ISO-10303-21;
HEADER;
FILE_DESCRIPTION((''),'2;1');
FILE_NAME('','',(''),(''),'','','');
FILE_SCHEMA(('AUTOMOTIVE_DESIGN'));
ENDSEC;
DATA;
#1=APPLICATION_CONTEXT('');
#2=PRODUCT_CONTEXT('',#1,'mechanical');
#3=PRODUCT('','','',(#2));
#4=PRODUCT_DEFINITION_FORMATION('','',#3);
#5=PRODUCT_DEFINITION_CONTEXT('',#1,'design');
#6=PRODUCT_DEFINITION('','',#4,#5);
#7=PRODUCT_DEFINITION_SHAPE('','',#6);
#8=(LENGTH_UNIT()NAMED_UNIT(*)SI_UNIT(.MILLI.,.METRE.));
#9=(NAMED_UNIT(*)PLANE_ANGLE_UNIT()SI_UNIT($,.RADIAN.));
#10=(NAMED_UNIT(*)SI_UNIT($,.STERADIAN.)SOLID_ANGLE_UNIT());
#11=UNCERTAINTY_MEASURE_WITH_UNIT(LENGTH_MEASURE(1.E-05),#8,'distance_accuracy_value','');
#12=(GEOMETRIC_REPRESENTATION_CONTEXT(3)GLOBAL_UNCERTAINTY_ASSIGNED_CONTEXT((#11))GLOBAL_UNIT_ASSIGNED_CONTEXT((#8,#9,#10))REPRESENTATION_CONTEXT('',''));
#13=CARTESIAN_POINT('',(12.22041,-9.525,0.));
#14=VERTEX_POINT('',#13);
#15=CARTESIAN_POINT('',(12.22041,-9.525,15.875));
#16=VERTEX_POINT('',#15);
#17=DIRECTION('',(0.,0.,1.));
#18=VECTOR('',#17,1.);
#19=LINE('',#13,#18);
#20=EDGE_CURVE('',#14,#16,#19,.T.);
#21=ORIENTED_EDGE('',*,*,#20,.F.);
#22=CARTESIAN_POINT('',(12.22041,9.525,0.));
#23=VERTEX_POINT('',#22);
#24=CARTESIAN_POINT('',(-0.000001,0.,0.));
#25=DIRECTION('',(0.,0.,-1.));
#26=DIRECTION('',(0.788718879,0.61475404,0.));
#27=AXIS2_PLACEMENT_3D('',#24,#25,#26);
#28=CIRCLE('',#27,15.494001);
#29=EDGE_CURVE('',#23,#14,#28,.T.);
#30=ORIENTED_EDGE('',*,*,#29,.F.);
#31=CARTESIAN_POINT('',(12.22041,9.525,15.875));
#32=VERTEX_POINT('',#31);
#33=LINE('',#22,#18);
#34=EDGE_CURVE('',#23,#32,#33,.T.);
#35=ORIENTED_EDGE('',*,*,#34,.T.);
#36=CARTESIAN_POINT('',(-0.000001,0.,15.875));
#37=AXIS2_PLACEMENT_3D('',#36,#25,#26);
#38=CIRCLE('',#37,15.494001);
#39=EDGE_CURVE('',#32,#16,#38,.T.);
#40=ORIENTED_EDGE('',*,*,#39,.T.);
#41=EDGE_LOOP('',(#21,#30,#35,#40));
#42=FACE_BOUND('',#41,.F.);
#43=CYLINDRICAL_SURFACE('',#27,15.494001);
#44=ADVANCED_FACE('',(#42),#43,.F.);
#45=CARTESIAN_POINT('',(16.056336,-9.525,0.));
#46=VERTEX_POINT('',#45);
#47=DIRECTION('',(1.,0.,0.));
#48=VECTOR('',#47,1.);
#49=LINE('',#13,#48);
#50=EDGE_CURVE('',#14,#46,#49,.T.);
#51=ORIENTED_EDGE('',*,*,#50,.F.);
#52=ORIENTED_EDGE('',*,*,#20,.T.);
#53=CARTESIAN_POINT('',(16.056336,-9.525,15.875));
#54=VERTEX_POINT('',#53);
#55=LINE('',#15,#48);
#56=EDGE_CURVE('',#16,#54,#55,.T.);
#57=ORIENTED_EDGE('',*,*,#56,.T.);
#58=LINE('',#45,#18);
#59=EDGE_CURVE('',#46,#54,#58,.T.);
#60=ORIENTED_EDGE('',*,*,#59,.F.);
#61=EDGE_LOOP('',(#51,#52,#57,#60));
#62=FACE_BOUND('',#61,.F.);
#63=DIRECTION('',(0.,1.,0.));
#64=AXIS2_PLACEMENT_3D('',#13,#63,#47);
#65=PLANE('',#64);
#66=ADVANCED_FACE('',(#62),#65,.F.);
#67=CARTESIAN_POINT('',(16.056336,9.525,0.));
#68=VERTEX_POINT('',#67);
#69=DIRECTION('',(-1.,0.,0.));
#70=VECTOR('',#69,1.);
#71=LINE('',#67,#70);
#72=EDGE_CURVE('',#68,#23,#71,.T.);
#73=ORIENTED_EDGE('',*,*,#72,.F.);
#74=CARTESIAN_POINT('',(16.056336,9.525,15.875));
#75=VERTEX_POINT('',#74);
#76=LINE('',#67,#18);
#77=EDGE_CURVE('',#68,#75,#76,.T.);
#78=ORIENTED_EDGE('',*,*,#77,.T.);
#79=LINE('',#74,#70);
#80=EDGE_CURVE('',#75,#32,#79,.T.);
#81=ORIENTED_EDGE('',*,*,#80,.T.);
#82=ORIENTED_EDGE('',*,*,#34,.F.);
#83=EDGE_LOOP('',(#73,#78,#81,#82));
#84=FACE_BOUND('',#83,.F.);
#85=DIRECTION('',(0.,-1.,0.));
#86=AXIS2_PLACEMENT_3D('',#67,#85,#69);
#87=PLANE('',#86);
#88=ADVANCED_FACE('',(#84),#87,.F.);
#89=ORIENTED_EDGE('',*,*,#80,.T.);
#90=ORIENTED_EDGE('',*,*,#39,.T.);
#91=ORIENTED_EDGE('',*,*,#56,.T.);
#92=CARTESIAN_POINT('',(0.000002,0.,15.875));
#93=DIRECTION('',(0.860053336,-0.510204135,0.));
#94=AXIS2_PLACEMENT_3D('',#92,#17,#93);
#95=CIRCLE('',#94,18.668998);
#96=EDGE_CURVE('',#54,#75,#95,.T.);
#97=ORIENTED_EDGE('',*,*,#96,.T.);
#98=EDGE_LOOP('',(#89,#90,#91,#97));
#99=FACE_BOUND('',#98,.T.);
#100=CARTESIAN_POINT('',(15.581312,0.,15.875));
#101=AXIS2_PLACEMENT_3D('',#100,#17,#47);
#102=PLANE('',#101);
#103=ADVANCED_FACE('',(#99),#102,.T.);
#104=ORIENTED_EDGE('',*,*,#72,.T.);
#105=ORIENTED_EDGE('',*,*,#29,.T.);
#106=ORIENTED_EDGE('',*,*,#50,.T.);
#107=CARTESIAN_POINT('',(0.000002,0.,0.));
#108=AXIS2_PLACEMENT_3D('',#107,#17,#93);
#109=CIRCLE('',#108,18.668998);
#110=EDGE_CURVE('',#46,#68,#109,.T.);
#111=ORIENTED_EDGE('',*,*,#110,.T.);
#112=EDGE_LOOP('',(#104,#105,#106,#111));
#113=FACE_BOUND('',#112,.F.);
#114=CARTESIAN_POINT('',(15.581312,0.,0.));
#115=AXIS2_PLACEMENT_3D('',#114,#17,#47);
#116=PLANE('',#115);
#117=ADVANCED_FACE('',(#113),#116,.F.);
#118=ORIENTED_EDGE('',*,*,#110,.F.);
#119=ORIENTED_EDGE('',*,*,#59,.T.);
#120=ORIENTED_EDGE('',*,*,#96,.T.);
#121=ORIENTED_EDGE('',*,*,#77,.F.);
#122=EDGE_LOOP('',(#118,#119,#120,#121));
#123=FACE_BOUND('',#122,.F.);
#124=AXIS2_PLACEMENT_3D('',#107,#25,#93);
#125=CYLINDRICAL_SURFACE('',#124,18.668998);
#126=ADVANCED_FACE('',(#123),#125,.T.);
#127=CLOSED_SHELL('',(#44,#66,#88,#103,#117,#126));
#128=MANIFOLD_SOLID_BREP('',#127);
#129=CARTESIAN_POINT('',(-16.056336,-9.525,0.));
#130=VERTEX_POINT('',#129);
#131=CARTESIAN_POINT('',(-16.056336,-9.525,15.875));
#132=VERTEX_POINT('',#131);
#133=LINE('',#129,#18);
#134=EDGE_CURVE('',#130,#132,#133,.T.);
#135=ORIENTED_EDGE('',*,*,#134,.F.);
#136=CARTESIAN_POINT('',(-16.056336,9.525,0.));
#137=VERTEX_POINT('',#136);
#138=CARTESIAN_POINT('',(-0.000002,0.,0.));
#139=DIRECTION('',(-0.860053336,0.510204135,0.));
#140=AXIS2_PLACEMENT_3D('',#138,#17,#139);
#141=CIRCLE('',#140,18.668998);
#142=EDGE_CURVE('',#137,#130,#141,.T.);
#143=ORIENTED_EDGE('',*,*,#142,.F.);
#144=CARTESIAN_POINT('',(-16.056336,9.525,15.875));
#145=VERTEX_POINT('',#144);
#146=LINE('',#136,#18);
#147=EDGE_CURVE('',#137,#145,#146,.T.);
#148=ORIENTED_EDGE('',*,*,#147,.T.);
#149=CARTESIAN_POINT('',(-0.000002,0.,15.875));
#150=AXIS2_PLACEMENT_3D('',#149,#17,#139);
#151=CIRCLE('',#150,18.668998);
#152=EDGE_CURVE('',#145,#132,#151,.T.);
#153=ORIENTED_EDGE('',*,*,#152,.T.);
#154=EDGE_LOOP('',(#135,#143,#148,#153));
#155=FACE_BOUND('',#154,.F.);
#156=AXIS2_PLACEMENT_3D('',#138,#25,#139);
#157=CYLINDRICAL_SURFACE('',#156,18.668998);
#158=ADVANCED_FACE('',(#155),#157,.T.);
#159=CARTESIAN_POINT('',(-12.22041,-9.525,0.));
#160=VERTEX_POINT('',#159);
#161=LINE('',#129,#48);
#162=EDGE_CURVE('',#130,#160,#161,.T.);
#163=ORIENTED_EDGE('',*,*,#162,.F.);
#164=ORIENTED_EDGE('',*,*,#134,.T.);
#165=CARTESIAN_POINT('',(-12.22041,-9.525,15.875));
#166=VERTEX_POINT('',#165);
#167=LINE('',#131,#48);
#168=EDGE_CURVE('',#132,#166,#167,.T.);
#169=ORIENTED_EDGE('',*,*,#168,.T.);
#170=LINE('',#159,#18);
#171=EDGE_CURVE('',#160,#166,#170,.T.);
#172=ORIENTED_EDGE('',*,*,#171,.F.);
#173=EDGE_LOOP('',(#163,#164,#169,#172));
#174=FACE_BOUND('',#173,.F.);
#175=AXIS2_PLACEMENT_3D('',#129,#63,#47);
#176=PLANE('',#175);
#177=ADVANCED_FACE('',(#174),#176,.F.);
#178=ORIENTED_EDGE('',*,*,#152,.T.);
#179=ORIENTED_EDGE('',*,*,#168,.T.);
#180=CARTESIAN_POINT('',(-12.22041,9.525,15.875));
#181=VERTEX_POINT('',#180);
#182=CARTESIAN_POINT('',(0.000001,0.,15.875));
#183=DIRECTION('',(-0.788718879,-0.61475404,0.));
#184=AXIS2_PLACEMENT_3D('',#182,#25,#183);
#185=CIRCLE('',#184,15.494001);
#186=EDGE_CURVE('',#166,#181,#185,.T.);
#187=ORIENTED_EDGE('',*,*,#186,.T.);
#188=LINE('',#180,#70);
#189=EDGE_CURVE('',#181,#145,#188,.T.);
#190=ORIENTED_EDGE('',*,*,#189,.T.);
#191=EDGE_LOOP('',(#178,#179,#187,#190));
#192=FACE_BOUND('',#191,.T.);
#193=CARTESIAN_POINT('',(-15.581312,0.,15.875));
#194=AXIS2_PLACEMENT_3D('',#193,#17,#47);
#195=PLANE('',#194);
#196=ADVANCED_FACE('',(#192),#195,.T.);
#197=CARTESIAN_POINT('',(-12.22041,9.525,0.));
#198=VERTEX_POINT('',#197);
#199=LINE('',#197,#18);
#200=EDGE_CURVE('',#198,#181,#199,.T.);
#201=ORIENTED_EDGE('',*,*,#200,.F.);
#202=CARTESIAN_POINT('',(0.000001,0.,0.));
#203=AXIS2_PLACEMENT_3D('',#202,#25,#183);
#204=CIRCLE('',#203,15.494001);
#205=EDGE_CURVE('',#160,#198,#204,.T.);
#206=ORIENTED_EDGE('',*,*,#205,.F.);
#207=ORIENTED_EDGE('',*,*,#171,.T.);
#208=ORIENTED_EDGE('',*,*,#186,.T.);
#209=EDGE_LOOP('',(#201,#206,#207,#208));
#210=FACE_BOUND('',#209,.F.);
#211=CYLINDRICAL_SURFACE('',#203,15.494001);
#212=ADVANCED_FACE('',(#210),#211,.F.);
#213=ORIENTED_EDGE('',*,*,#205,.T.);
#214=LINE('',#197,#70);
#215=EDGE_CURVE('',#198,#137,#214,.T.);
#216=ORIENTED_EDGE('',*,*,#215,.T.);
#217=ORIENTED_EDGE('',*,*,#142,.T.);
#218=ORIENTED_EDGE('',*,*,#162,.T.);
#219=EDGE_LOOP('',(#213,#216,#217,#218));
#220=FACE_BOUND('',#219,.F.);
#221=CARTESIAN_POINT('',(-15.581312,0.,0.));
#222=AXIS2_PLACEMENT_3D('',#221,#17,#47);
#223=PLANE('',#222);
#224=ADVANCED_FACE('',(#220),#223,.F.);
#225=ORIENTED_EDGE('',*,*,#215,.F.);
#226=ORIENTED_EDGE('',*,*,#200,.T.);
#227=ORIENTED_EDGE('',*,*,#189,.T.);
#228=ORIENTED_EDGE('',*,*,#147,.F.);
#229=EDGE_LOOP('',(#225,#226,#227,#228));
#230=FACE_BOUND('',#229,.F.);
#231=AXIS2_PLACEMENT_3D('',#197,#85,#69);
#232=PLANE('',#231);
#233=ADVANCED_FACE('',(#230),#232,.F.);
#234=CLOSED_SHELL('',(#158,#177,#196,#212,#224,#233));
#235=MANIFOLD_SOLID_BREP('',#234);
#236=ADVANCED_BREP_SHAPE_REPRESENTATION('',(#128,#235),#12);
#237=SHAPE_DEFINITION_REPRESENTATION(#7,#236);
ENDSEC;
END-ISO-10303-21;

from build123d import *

# Parameters (mm, degrees)
F1_DEPTH = 15.875


with BuildPart() as f1:
    # F0 (on Top) → F1 (new body)
    with BuildSketch(Plane.XY):
        with BuildLine():
            ThreePointArc((-12.22041, -9.525), (-15.494, 0), (-12.22041, 9.525))
            Line((-12.22041, 9.525), (-16.056336, 9.525))
            ThreePointArc((-16.056336, 9.525), (-18.669, 0), (-16.056336, -9.525))
            Line((-16.056336, -9.525), (-12.22041, -9.525))
        make_face()
        with BuildLine():
            Line((16.056336, 9.525), (12.22041, 9.525))
            ThreePointArc((12.22041, 9.525), (15.494, 0), (12.22041, -9.525))
            Line((12.22041, -9.525), (16.056336, -9.525))
            ThreePointArc((16.056336, -9.525), (18.669, 0), (16.056336, 9.525))
        make_face()
    extrude(amount=F1_DEPTH)


solid = f1.part
